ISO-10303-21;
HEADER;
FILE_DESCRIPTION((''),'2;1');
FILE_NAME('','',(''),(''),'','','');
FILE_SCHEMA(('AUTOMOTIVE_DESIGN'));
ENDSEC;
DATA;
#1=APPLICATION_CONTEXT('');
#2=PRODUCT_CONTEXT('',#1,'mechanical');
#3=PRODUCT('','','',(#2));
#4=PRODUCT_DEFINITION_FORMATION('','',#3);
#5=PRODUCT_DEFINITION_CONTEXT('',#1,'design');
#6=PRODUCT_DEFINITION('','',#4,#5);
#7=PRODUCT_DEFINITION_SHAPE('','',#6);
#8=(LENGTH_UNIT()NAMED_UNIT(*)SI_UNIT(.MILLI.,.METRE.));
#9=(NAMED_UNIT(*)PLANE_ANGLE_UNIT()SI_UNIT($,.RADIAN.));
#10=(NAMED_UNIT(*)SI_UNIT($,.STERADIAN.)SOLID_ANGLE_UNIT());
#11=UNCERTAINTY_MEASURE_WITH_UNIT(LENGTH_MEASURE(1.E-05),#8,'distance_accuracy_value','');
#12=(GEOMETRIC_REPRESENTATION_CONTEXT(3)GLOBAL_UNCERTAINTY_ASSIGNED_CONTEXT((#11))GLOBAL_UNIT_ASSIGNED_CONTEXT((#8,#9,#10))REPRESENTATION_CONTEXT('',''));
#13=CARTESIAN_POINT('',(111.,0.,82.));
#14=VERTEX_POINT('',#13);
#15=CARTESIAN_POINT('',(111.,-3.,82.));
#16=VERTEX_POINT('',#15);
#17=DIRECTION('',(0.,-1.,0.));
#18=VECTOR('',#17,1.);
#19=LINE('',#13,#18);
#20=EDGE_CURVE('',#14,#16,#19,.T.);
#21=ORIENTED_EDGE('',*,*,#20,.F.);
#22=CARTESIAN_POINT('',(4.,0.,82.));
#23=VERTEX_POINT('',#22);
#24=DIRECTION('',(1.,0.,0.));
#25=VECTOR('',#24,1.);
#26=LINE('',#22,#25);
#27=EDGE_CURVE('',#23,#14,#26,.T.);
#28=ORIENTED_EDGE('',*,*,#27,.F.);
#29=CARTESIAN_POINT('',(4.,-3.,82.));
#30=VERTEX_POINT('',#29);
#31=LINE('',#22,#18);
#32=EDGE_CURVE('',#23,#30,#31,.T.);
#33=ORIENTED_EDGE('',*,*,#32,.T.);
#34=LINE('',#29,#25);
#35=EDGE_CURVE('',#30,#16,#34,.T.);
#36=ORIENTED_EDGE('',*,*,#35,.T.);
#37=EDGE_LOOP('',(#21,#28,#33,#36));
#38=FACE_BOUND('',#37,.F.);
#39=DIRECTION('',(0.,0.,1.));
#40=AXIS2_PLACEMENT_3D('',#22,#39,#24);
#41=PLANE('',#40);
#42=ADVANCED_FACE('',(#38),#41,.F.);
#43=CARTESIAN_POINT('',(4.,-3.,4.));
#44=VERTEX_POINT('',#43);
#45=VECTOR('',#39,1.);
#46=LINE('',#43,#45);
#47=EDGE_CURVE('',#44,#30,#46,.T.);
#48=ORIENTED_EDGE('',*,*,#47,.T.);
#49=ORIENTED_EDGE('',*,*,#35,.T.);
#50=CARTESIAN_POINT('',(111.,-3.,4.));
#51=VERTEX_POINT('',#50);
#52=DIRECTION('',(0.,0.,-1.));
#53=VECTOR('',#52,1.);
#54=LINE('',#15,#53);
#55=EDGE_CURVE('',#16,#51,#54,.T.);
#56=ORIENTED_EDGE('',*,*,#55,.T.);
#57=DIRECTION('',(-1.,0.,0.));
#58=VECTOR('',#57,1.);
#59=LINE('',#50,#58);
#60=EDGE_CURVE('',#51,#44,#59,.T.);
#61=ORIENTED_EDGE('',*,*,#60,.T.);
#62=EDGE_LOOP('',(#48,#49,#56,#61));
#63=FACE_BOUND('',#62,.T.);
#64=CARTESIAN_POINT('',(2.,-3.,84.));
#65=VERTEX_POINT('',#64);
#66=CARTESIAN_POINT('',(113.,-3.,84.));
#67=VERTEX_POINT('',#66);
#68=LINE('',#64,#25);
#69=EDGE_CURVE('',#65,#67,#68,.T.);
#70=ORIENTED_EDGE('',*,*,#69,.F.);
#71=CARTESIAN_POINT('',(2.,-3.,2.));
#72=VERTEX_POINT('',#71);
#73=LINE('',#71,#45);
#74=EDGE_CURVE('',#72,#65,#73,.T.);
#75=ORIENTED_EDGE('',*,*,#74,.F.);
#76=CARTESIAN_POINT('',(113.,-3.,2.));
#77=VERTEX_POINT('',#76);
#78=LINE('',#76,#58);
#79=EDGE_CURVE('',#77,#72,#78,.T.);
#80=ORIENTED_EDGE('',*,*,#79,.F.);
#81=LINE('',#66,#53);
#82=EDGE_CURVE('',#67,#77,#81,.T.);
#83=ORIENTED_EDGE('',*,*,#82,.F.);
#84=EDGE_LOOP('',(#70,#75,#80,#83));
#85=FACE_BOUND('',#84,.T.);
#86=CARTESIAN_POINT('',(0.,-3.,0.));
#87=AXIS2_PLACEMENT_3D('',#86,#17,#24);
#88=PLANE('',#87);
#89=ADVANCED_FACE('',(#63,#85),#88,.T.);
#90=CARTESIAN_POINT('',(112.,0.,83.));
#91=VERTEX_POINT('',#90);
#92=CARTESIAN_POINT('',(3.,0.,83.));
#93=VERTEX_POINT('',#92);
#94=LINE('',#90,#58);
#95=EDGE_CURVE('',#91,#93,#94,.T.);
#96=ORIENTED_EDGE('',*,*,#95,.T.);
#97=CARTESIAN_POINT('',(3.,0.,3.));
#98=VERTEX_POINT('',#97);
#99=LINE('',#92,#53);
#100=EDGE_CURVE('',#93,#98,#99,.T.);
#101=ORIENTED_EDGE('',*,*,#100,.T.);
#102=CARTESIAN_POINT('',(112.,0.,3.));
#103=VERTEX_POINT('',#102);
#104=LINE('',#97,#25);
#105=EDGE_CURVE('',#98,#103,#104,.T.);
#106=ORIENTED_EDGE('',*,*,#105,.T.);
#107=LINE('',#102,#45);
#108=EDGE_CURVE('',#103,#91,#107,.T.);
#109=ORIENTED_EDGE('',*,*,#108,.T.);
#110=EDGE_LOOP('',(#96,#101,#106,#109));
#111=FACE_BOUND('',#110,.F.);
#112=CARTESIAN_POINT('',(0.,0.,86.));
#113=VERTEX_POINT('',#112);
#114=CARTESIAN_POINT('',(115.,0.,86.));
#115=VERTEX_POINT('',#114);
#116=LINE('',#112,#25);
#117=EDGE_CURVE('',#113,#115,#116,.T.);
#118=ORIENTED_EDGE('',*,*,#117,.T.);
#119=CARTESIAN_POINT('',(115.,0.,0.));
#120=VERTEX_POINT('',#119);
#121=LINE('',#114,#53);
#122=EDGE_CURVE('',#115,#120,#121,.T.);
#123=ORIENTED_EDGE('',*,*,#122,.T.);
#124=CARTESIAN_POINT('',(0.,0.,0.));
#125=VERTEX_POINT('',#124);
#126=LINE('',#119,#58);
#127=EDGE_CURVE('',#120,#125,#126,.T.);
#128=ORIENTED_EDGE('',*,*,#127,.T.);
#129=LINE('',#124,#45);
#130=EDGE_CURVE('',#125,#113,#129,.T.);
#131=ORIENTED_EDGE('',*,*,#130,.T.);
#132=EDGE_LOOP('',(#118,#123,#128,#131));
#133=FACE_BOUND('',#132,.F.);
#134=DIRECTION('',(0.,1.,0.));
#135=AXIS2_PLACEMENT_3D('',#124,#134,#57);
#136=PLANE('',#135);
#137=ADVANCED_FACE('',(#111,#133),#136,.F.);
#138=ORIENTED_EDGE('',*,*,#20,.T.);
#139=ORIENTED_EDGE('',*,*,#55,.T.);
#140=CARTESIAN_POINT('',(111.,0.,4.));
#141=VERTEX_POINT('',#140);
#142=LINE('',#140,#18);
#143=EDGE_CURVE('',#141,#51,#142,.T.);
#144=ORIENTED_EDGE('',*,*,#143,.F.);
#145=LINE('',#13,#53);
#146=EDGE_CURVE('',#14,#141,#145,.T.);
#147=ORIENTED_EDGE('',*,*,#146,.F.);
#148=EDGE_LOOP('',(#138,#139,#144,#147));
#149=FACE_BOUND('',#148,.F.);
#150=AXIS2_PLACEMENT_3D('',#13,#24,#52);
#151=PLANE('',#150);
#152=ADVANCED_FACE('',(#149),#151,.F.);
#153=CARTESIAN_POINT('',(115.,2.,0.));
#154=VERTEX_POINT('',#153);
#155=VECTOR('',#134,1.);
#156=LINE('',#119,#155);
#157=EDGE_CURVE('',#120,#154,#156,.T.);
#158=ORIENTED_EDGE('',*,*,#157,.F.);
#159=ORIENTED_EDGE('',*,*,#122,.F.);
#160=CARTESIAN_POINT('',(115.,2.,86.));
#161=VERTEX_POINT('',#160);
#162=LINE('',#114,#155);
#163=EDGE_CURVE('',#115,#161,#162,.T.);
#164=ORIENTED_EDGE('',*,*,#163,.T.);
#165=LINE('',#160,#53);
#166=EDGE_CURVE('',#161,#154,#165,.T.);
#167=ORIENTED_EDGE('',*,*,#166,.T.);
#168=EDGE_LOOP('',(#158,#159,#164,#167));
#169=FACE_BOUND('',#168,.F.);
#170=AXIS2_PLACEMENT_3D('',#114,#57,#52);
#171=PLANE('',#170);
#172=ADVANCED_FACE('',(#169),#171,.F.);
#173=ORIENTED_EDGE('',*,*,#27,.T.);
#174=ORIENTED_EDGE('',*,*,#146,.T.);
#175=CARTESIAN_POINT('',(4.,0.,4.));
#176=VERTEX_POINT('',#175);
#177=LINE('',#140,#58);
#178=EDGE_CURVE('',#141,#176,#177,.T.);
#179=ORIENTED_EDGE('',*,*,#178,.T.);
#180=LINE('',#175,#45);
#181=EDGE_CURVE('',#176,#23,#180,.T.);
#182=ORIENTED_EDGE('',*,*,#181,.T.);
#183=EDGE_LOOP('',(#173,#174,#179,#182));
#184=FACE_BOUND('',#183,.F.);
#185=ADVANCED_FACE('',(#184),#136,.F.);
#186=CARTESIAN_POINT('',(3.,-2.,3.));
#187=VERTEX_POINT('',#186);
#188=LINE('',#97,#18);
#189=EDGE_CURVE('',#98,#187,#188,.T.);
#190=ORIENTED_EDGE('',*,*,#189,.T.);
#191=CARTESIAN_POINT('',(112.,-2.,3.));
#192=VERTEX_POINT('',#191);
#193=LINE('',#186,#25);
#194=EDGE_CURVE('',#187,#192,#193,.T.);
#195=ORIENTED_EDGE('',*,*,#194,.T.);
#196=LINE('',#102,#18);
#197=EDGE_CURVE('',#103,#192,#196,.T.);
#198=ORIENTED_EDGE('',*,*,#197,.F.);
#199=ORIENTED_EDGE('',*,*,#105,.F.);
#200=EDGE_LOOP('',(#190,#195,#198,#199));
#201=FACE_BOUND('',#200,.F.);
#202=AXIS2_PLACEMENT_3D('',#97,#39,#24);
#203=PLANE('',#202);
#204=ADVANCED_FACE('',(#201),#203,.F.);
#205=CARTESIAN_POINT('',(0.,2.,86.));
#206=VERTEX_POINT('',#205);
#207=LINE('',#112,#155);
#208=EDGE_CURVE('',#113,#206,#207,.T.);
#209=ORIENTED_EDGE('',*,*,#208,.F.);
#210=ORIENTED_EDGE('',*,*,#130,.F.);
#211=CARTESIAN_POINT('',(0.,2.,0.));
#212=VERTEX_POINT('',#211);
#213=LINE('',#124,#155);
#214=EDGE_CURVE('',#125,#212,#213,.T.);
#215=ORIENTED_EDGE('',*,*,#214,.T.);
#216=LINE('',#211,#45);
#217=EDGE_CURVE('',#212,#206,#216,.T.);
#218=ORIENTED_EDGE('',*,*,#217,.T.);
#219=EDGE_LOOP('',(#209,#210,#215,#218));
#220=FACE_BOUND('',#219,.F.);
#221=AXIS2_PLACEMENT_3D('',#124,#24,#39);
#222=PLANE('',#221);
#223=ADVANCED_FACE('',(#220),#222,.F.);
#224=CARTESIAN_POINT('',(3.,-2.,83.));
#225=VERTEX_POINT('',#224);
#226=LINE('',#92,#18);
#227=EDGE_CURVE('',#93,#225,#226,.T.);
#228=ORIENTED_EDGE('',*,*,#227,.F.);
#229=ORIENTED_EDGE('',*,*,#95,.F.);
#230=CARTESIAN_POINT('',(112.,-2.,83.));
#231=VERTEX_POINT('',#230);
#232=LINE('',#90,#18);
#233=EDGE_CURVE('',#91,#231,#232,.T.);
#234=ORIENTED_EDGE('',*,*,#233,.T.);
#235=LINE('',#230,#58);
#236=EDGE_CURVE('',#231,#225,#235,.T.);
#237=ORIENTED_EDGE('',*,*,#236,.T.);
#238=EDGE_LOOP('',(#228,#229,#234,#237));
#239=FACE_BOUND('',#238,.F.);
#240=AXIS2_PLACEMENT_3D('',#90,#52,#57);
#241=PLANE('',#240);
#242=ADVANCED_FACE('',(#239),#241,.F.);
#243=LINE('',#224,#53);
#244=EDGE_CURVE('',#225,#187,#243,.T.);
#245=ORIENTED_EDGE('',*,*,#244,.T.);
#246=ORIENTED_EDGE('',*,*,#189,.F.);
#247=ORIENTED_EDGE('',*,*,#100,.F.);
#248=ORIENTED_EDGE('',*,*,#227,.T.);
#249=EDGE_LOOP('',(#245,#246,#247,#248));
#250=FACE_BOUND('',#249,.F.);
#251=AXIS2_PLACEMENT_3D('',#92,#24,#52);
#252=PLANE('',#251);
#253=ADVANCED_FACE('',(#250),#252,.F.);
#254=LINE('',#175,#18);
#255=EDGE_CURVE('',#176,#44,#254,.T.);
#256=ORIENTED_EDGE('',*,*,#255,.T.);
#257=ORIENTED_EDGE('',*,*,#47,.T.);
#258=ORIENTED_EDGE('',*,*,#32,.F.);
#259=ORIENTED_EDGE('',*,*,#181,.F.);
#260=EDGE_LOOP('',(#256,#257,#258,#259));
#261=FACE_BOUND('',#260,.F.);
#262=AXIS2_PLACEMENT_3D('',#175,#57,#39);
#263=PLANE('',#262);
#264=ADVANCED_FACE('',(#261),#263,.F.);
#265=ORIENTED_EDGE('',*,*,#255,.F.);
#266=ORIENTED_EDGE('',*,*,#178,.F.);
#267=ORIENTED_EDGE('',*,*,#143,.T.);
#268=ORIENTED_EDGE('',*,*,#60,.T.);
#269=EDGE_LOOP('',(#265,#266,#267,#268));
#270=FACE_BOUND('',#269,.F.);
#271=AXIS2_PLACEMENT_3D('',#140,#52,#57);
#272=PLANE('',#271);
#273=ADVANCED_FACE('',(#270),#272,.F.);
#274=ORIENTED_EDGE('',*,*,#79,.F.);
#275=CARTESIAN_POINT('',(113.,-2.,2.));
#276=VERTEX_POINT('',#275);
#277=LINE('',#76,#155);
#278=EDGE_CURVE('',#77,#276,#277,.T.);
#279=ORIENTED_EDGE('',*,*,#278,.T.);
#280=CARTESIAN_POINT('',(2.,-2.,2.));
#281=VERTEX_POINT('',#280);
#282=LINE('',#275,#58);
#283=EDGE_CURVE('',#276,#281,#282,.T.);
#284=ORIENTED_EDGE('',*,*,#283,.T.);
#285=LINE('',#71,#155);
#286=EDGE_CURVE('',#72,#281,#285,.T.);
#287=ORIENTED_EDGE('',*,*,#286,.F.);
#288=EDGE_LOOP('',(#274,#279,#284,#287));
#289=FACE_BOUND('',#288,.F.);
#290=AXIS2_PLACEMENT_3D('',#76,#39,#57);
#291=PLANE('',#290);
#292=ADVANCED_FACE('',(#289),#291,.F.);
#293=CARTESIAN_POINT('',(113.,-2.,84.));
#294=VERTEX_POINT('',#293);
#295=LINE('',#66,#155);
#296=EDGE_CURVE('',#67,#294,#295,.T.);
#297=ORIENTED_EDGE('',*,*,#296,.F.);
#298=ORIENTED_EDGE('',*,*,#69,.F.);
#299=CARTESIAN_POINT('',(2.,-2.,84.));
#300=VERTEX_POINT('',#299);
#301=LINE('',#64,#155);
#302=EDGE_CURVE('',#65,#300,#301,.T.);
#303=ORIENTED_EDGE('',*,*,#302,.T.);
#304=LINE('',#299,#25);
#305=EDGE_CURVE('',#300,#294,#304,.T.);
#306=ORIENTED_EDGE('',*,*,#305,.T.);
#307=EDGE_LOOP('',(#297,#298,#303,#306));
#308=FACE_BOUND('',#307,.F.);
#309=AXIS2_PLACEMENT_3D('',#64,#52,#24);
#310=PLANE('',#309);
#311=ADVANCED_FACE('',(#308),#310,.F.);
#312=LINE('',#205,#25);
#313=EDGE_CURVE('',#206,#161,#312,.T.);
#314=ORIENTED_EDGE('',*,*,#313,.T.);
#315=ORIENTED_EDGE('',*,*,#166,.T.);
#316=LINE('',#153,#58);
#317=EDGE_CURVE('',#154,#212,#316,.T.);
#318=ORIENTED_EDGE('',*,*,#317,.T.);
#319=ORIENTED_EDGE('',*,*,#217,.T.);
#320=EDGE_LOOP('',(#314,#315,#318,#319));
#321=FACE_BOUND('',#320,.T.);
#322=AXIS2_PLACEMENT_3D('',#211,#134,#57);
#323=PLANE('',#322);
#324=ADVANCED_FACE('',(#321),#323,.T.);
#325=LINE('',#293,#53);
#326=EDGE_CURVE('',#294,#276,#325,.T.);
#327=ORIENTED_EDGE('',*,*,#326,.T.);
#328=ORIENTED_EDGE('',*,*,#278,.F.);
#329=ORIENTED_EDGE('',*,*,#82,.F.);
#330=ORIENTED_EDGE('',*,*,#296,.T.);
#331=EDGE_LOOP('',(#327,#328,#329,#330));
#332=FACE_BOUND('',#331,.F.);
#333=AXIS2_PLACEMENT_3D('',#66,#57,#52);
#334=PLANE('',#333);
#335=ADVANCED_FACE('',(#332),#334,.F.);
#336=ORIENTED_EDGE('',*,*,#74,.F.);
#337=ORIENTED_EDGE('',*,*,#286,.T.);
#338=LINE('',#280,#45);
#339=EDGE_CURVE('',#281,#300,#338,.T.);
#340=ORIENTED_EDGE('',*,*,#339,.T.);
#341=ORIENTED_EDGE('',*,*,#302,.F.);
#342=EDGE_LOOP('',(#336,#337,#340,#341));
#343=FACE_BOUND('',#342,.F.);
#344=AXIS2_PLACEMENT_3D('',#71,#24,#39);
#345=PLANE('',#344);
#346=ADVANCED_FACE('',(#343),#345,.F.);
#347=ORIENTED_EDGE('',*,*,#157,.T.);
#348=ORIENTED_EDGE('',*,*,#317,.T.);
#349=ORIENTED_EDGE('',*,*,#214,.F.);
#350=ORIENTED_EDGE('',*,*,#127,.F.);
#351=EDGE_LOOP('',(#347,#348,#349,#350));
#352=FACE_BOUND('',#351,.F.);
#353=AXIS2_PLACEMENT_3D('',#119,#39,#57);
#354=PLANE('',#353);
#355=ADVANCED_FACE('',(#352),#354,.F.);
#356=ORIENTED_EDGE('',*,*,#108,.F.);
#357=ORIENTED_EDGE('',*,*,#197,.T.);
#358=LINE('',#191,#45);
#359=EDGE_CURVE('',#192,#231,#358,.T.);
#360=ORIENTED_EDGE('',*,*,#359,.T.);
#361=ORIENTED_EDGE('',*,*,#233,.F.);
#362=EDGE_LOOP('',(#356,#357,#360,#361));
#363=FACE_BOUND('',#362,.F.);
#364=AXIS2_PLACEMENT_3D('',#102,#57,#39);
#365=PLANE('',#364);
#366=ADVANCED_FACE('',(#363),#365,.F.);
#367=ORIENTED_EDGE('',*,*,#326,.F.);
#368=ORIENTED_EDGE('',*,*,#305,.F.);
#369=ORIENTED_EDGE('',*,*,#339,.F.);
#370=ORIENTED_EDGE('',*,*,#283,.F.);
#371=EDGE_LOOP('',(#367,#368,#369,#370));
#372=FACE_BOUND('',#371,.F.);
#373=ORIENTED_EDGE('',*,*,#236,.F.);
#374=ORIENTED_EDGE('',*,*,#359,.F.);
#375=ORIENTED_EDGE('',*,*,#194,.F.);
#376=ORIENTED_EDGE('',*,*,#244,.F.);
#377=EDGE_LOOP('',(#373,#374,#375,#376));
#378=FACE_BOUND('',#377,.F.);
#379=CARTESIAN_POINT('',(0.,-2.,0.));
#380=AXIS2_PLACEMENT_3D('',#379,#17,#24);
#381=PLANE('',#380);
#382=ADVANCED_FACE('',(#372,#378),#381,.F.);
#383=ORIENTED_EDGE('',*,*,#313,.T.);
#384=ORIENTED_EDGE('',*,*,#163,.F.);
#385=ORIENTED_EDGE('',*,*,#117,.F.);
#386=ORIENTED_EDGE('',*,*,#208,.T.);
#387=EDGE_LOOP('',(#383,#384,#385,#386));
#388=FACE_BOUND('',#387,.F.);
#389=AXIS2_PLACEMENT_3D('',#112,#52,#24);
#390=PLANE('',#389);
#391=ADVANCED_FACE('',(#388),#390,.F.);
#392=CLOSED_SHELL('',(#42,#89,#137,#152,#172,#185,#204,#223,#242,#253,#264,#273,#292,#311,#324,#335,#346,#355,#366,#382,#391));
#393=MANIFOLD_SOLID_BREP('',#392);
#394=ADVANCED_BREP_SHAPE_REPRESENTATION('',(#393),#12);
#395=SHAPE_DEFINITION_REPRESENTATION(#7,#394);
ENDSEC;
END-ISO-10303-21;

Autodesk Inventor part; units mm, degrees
ref_plane "YZ Plane" through (0, 0, 0) normal (1, 0, 0) x (0, 1, 0)
ref_plane "XZ Plane" through (0, 0, 0) normal (0, 1, 0) x (-1, 0, 0)
ref_plane "XY Plane" through (0, 0, 0) normal (0, 0, 1) x (1, 0, 0)
sketch "Sketch1" plane through (0, 0, 0) normal (0, 1, 0) x (-1, 0, 0)
  line L0 (0, 0) -> (0, 86)
  line L1 (0, 86) -> (-115, 86)
  line L2 (-115, 86) -> (-115, 0)
  line L3 (-115, 0) -> (0, 0)
  dimension "d0" = 86
  dimension "d1" = 115
extrude "Extrusion1" add sketch "Sketch1" along normal blind 2
sketch "Sketch2" plane through (0, 0, 0) normal (0, -1, 0) x (1, 0, 0)
  point P0 (0, 0)
sketch "Sketch3" plane through (0, 0, 0) normal (0, -1, 0) x (1, 0, 0)
  line L0 (112, 83) -> (3, 83)
  line L1 (3, 83) -> (3, 3)
  line L2 (3, 3) -> (112, 3)
  line L3 (112, 3) -> (112, 83)
  line L4 (4, 82) -> (111, 82)
  line L5 (111, 82) -> (111, 4)
  line L6 (111, 4) -> (4, 4)
  line L7 (4, 4) -> (4, 82)
  point P0 (0, 0)
  dimension "d4" = 109
  dimension "d5" = 80
  dimension "d6" = 109
  dimension "d7" = 1
extrude "Extrusion2" add sketch "Sketch3" along normal blind 3
sketch "Sketch4" plane through (0, -3, 0) normal (0, -1, 0) x (1, 0, 0)
  line L0 (2, 84) -> (113, 84)
  line L1 (113, 84) -> (113, 2)
  line L2 (113, 84) -> (195, 84) construction
  line L3 (113, 2) -> (2, 2)
  line L4 (3, 3) -> (112, 3) projected
  line L5 (2, 2) -> (2, 84)
  line L6 (112, 3) -> (112, 83)
  line L7 (112, 83) -> (3, 83)
  line L8 (3, 83) -> (3, 3)
  line L9 (3, 3) -> (112, 3)
  point P0 (0, 0)
  dimension "d10" = 111
  dimension "d11" = 82
  dimension "d12" = 90
  dimension "d13" = 111
  dimension "d14" = 90
extrude "Extrusion3" add sketch "Sketch4" against normal blind 1
properties part number "cap"
